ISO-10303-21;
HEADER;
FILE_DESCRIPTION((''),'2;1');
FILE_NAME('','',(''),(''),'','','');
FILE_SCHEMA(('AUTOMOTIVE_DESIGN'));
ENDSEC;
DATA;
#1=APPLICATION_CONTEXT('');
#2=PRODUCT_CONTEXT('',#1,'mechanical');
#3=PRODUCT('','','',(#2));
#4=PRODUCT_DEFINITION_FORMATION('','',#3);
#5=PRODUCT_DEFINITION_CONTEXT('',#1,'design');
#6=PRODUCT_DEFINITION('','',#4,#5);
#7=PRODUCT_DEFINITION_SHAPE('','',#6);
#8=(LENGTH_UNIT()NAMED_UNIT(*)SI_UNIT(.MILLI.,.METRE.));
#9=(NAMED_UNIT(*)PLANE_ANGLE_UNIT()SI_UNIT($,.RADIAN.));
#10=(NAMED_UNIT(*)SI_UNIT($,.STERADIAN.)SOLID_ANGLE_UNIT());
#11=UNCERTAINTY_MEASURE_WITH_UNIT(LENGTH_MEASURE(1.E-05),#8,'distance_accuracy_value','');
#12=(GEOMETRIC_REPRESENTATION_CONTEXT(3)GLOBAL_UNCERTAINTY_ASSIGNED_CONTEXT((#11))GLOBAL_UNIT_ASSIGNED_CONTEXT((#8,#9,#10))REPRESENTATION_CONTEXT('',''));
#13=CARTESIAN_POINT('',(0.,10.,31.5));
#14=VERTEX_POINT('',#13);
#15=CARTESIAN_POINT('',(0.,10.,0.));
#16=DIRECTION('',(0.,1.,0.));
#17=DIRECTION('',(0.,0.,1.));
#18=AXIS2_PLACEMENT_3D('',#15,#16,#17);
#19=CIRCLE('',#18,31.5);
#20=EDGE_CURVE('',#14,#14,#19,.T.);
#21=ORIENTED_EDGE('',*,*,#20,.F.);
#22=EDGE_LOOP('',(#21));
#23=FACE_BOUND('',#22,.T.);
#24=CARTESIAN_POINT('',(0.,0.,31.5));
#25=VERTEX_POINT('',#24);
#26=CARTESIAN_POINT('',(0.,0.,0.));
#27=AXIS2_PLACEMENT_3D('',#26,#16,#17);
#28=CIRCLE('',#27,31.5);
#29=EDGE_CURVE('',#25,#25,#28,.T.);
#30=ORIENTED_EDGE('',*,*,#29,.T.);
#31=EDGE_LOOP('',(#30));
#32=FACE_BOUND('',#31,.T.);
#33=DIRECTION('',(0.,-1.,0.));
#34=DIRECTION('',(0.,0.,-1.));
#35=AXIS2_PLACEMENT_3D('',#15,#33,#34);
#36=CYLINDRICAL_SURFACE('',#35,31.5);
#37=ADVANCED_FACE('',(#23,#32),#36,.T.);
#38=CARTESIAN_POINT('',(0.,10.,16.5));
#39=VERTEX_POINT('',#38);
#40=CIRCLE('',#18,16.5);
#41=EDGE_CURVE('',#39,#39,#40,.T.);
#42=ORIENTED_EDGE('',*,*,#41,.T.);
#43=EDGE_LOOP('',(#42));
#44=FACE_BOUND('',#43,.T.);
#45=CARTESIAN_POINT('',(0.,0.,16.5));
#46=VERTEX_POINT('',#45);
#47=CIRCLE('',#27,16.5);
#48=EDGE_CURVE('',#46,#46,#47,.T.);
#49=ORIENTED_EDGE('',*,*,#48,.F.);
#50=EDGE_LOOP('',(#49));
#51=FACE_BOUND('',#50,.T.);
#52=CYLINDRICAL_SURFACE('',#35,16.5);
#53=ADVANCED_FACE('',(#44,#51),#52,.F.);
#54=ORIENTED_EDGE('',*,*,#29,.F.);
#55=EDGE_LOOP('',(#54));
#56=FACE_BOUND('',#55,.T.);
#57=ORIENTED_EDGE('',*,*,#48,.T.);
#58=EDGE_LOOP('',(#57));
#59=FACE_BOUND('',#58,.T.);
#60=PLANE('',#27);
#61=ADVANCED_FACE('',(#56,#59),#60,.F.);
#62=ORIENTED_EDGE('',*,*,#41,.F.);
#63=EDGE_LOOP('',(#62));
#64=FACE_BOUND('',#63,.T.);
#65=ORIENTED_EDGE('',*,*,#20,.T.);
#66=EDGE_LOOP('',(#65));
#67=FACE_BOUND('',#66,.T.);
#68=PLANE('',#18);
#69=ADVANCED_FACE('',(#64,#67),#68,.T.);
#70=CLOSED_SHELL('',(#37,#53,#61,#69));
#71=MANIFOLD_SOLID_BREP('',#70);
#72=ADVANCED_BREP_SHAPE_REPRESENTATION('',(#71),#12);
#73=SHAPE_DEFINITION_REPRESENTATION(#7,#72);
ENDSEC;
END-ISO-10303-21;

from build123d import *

# Parameters (mm, degrees)
SKETCH1_R           = 31.5
SKETCH1_R_2         = 16.5
BOSS_EXTRUDE1_DEPTH = 10


with BuildPart() as part:
    # Sketch1 → Boss-Extrude1 (new body)
    with BuildSketch(Plane(origin=(0, 0, 0), x_dir=(1, 0, 0), z_dir=(0, 1, 0))):
        Circle(SKETCH1_R)
        Circle(SKETCH1_R_2, mode=Mode.SUBTRACT)
    extrude(amount=BOSS_EXTRUDE1_DEPTH)


solid = part.part
